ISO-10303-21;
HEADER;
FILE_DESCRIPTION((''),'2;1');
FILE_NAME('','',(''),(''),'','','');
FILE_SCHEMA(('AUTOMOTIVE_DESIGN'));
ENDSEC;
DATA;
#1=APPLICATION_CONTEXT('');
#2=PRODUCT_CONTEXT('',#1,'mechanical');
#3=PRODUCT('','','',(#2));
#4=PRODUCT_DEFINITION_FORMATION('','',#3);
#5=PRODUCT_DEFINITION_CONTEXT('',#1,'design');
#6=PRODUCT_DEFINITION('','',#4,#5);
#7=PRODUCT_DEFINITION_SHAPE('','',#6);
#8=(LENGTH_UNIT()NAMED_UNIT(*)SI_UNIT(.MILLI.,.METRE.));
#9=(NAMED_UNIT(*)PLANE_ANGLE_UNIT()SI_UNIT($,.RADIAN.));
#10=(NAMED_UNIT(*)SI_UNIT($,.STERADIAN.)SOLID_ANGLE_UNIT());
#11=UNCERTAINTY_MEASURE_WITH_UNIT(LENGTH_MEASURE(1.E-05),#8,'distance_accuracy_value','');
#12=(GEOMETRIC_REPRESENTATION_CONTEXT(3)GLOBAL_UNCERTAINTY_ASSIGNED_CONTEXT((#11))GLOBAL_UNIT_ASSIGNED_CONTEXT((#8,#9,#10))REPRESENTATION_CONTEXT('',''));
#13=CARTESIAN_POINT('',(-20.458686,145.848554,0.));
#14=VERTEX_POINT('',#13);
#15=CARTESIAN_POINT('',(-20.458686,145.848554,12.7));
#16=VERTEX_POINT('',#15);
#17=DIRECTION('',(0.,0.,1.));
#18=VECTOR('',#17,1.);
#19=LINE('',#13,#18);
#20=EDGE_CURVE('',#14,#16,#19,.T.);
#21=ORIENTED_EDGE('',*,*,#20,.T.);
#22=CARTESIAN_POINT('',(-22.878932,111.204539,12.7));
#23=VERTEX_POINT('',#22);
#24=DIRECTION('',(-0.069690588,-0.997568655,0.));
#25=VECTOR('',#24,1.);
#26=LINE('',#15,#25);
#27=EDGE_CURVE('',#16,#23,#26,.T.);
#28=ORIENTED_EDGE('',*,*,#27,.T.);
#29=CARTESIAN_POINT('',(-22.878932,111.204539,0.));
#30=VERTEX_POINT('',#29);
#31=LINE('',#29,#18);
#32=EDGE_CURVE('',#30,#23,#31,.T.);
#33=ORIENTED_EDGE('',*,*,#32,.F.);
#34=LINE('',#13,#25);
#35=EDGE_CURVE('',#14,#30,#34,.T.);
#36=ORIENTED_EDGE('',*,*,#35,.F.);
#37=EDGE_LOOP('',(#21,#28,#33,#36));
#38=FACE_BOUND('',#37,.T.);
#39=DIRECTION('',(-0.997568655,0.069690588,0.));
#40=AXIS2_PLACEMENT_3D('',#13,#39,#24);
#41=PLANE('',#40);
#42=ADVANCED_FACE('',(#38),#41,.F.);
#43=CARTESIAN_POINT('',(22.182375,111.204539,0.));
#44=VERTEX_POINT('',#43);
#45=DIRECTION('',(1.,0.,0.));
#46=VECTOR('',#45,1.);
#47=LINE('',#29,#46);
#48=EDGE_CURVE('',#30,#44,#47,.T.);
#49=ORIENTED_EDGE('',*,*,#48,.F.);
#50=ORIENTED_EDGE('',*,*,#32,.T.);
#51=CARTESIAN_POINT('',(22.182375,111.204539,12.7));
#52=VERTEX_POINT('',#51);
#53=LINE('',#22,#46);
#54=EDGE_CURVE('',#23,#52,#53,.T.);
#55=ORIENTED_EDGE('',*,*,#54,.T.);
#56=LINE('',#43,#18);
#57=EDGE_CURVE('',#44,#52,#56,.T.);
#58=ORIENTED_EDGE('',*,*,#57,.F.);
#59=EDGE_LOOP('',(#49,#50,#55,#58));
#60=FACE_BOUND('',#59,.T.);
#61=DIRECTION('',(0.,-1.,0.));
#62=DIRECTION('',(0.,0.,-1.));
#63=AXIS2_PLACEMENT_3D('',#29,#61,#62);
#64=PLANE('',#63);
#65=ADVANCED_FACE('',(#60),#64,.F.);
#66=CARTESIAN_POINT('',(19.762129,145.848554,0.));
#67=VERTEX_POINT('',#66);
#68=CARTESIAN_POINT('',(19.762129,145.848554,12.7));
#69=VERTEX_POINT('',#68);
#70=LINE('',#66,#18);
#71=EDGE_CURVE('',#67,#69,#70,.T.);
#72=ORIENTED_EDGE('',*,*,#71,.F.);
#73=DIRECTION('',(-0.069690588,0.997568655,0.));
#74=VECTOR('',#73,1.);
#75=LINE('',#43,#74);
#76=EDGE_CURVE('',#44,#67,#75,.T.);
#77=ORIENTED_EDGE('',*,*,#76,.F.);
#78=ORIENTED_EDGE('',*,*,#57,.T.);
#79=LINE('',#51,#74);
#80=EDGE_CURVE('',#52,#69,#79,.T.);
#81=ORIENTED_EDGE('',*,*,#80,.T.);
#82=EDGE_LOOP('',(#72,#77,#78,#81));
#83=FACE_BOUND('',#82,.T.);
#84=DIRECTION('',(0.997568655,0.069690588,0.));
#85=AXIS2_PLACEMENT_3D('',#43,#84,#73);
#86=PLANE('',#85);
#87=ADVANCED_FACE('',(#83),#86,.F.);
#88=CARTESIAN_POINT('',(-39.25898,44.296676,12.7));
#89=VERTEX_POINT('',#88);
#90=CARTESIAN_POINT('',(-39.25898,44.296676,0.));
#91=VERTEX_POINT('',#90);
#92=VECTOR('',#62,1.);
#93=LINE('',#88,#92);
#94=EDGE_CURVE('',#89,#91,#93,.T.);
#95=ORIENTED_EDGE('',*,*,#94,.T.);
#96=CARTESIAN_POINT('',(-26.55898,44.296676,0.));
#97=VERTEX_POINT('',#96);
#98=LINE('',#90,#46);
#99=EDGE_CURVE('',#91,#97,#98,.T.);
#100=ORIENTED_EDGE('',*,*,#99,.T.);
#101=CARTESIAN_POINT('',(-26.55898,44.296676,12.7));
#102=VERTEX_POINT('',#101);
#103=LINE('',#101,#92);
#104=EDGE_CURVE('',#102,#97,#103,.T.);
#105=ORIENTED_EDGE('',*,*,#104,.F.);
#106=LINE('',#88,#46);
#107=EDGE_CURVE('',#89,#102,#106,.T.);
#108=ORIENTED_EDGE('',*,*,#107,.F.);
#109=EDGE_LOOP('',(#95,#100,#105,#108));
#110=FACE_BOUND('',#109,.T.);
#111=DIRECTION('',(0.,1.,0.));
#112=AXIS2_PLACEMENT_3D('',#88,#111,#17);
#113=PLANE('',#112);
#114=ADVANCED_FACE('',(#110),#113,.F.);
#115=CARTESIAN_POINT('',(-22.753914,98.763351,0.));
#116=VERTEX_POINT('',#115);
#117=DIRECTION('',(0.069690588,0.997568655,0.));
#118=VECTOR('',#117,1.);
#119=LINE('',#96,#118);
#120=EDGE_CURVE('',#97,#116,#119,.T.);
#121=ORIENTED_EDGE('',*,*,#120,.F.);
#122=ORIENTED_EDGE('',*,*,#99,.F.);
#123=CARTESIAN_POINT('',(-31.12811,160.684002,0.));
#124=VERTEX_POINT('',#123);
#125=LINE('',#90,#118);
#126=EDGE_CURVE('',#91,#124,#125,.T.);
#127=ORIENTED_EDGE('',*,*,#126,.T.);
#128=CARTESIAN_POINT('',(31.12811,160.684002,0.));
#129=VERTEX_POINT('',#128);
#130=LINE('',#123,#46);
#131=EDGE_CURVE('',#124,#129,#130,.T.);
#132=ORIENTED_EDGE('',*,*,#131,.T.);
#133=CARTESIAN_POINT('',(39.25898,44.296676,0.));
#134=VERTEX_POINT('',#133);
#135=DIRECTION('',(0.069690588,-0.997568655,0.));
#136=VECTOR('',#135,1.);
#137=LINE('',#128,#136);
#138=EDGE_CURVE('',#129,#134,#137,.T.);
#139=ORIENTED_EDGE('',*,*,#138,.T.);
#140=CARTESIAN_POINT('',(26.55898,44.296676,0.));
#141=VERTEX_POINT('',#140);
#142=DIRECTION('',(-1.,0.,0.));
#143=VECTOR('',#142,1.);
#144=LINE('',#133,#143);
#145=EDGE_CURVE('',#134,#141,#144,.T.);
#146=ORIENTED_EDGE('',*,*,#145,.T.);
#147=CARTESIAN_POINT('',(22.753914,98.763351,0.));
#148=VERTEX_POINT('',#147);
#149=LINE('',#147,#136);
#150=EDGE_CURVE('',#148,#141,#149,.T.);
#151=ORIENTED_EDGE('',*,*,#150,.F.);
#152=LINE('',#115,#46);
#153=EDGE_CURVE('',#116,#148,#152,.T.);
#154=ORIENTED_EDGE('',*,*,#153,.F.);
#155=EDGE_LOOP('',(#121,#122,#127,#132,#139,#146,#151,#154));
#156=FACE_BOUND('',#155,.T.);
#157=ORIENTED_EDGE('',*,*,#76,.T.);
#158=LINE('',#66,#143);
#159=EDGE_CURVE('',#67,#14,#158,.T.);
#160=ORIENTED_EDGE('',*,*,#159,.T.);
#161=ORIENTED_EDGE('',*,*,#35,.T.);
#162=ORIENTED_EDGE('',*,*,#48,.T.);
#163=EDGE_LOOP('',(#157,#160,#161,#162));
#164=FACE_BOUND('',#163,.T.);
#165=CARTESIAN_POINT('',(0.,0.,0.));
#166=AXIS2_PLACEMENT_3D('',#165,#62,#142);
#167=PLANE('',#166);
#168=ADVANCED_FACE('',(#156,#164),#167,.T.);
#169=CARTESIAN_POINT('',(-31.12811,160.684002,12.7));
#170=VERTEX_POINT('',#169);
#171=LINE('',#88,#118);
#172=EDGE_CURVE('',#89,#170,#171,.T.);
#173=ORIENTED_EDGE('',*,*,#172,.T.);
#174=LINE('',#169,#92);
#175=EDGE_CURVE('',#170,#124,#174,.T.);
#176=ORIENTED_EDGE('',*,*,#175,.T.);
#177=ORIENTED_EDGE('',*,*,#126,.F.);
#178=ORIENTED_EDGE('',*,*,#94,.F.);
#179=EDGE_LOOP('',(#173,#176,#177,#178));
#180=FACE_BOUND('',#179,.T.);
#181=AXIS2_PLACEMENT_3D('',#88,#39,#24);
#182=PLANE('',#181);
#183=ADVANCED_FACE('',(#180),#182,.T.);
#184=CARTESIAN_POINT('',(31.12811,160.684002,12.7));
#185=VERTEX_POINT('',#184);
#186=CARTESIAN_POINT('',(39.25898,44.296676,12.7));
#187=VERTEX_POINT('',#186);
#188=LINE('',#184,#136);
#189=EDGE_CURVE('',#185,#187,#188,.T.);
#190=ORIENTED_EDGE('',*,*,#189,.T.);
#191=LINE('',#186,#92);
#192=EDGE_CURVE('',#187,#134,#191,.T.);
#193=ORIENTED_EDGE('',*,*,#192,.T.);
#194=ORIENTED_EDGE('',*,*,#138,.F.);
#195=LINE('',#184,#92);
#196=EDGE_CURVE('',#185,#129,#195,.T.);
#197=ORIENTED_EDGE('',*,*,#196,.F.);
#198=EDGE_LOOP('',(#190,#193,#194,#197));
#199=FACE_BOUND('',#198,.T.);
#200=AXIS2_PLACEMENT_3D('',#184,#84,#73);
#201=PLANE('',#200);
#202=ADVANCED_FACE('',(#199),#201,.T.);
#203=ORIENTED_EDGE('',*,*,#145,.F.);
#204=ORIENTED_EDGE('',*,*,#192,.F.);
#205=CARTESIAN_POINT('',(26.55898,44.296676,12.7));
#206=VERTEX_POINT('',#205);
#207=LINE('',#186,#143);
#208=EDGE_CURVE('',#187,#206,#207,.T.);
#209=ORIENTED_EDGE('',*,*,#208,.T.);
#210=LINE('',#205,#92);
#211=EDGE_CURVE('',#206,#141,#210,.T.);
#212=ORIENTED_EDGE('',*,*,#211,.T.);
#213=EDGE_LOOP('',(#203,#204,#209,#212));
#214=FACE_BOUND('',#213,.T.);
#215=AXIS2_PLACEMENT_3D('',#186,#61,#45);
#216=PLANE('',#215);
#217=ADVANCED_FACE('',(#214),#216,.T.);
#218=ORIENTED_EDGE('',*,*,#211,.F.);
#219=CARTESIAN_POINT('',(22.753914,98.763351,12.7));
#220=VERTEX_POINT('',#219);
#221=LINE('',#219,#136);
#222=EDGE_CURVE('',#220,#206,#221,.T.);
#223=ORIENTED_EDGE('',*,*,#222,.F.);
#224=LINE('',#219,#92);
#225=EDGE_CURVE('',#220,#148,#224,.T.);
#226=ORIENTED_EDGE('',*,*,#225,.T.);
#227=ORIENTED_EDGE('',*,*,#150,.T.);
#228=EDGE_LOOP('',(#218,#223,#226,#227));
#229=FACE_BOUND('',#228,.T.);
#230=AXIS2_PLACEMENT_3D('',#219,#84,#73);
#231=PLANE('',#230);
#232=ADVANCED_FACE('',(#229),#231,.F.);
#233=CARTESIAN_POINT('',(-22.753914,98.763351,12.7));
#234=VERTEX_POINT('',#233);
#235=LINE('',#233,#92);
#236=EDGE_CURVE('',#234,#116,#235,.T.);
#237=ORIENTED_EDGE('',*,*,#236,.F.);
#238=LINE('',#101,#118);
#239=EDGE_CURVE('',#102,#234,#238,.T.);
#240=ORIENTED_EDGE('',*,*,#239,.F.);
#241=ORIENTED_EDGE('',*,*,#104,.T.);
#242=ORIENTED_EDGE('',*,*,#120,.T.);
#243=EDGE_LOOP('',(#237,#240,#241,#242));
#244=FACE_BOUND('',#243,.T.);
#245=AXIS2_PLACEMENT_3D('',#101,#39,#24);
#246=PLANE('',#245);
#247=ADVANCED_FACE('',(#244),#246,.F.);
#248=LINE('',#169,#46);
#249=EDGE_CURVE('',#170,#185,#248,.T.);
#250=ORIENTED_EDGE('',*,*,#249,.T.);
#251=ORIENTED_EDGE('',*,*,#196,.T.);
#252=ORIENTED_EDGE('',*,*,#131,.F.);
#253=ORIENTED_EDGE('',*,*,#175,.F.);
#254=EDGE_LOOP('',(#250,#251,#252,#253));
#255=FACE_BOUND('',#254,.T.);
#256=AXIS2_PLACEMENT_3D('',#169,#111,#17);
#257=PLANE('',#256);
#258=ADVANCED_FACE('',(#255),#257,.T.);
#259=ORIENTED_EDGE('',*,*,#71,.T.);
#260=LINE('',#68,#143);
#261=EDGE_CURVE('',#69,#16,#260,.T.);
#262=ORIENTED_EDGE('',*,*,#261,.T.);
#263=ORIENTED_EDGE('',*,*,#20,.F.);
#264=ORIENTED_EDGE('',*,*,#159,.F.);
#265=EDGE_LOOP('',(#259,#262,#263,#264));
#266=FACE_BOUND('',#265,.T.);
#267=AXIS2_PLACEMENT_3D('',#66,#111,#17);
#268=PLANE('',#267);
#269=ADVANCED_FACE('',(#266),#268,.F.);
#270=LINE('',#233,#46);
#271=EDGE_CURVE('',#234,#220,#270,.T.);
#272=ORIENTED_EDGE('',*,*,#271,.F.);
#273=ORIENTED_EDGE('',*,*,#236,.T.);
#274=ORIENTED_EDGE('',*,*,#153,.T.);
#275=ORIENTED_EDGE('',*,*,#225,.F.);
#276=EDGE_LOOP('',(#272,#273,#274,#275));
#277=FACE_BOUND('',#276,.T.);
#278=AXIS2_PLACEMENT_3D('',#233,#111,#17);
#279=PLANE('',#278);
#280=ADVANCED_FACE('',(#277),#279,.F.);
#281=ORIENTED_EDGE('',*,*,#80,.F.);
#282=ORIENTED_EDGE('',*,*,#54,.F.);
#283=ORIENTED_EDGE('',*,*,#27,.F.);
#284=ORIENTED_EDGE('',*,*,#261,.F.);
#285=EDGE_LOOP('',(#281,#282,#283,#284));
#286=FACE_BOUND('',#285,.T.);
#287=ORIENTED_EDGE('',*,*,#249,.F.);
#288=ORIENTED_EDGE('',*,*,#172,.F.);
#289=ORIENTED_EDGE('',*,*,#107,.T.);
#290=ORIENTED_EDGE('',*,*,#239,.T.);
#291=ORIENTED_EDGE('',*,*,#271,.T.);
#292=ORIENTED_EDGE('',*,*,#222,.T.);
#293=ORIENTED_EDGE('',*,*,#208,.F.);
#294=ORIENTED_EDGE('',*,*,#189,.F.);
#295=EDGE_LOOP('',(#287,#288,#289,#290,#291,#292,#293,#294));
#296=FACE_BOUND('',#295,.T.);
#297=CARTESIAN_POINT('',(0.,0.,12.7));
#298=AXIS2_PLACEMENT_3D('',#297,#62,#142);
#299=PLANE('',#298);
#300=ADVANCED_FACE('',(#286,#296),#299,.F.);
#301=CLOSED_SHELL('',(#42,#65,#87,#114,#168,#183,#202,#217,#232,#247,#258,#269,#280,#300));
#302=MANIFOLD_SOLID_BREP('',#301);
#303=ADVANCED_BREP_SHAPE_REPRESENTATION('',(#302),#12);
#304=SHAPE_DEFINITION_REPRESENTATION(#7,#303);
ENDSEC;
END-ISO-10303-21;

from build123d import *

# Parameters (mm, degrees)
BOSS_EXTRUDE1_DEPTH = 12.7
CUT_EXTRUDE3_DEPTH  = 12.7


with BuildPart() as part:
    # Sketch1 → Boss-Extrude1 (new body)
    with BuildSketch(Plane.XY):
        Polygon((-39.258980401, 44.296675518), (-31.128110258, 160.684002306), (31.128110258, 160.684002306), (39.258980401, 44.296675518), (26.558980401, 44.296675518), (22.753914358, 98.763350938), (-22.753914358, 98.763350938), (-26.558980401, 44.296675518), align=None)
    extrude(amount=BOSS_EXTRUDE1_DEPTH)

    # Sketch5 → Cut-Extrude3 (cut)
    with BuildSketch(Plane.XY.offset(12.7)):
        Polygon((-20.458686011, 145.848553897), (-22.878932211, 111.204539111), (22.182375422, 111.204539111), (19.762129221, 145.848553897), align=None)
    extrude(amount=-CUT_EXTRUDE3_DEPTH, mode=Mode.SUBTRACT)


solid = part.part
